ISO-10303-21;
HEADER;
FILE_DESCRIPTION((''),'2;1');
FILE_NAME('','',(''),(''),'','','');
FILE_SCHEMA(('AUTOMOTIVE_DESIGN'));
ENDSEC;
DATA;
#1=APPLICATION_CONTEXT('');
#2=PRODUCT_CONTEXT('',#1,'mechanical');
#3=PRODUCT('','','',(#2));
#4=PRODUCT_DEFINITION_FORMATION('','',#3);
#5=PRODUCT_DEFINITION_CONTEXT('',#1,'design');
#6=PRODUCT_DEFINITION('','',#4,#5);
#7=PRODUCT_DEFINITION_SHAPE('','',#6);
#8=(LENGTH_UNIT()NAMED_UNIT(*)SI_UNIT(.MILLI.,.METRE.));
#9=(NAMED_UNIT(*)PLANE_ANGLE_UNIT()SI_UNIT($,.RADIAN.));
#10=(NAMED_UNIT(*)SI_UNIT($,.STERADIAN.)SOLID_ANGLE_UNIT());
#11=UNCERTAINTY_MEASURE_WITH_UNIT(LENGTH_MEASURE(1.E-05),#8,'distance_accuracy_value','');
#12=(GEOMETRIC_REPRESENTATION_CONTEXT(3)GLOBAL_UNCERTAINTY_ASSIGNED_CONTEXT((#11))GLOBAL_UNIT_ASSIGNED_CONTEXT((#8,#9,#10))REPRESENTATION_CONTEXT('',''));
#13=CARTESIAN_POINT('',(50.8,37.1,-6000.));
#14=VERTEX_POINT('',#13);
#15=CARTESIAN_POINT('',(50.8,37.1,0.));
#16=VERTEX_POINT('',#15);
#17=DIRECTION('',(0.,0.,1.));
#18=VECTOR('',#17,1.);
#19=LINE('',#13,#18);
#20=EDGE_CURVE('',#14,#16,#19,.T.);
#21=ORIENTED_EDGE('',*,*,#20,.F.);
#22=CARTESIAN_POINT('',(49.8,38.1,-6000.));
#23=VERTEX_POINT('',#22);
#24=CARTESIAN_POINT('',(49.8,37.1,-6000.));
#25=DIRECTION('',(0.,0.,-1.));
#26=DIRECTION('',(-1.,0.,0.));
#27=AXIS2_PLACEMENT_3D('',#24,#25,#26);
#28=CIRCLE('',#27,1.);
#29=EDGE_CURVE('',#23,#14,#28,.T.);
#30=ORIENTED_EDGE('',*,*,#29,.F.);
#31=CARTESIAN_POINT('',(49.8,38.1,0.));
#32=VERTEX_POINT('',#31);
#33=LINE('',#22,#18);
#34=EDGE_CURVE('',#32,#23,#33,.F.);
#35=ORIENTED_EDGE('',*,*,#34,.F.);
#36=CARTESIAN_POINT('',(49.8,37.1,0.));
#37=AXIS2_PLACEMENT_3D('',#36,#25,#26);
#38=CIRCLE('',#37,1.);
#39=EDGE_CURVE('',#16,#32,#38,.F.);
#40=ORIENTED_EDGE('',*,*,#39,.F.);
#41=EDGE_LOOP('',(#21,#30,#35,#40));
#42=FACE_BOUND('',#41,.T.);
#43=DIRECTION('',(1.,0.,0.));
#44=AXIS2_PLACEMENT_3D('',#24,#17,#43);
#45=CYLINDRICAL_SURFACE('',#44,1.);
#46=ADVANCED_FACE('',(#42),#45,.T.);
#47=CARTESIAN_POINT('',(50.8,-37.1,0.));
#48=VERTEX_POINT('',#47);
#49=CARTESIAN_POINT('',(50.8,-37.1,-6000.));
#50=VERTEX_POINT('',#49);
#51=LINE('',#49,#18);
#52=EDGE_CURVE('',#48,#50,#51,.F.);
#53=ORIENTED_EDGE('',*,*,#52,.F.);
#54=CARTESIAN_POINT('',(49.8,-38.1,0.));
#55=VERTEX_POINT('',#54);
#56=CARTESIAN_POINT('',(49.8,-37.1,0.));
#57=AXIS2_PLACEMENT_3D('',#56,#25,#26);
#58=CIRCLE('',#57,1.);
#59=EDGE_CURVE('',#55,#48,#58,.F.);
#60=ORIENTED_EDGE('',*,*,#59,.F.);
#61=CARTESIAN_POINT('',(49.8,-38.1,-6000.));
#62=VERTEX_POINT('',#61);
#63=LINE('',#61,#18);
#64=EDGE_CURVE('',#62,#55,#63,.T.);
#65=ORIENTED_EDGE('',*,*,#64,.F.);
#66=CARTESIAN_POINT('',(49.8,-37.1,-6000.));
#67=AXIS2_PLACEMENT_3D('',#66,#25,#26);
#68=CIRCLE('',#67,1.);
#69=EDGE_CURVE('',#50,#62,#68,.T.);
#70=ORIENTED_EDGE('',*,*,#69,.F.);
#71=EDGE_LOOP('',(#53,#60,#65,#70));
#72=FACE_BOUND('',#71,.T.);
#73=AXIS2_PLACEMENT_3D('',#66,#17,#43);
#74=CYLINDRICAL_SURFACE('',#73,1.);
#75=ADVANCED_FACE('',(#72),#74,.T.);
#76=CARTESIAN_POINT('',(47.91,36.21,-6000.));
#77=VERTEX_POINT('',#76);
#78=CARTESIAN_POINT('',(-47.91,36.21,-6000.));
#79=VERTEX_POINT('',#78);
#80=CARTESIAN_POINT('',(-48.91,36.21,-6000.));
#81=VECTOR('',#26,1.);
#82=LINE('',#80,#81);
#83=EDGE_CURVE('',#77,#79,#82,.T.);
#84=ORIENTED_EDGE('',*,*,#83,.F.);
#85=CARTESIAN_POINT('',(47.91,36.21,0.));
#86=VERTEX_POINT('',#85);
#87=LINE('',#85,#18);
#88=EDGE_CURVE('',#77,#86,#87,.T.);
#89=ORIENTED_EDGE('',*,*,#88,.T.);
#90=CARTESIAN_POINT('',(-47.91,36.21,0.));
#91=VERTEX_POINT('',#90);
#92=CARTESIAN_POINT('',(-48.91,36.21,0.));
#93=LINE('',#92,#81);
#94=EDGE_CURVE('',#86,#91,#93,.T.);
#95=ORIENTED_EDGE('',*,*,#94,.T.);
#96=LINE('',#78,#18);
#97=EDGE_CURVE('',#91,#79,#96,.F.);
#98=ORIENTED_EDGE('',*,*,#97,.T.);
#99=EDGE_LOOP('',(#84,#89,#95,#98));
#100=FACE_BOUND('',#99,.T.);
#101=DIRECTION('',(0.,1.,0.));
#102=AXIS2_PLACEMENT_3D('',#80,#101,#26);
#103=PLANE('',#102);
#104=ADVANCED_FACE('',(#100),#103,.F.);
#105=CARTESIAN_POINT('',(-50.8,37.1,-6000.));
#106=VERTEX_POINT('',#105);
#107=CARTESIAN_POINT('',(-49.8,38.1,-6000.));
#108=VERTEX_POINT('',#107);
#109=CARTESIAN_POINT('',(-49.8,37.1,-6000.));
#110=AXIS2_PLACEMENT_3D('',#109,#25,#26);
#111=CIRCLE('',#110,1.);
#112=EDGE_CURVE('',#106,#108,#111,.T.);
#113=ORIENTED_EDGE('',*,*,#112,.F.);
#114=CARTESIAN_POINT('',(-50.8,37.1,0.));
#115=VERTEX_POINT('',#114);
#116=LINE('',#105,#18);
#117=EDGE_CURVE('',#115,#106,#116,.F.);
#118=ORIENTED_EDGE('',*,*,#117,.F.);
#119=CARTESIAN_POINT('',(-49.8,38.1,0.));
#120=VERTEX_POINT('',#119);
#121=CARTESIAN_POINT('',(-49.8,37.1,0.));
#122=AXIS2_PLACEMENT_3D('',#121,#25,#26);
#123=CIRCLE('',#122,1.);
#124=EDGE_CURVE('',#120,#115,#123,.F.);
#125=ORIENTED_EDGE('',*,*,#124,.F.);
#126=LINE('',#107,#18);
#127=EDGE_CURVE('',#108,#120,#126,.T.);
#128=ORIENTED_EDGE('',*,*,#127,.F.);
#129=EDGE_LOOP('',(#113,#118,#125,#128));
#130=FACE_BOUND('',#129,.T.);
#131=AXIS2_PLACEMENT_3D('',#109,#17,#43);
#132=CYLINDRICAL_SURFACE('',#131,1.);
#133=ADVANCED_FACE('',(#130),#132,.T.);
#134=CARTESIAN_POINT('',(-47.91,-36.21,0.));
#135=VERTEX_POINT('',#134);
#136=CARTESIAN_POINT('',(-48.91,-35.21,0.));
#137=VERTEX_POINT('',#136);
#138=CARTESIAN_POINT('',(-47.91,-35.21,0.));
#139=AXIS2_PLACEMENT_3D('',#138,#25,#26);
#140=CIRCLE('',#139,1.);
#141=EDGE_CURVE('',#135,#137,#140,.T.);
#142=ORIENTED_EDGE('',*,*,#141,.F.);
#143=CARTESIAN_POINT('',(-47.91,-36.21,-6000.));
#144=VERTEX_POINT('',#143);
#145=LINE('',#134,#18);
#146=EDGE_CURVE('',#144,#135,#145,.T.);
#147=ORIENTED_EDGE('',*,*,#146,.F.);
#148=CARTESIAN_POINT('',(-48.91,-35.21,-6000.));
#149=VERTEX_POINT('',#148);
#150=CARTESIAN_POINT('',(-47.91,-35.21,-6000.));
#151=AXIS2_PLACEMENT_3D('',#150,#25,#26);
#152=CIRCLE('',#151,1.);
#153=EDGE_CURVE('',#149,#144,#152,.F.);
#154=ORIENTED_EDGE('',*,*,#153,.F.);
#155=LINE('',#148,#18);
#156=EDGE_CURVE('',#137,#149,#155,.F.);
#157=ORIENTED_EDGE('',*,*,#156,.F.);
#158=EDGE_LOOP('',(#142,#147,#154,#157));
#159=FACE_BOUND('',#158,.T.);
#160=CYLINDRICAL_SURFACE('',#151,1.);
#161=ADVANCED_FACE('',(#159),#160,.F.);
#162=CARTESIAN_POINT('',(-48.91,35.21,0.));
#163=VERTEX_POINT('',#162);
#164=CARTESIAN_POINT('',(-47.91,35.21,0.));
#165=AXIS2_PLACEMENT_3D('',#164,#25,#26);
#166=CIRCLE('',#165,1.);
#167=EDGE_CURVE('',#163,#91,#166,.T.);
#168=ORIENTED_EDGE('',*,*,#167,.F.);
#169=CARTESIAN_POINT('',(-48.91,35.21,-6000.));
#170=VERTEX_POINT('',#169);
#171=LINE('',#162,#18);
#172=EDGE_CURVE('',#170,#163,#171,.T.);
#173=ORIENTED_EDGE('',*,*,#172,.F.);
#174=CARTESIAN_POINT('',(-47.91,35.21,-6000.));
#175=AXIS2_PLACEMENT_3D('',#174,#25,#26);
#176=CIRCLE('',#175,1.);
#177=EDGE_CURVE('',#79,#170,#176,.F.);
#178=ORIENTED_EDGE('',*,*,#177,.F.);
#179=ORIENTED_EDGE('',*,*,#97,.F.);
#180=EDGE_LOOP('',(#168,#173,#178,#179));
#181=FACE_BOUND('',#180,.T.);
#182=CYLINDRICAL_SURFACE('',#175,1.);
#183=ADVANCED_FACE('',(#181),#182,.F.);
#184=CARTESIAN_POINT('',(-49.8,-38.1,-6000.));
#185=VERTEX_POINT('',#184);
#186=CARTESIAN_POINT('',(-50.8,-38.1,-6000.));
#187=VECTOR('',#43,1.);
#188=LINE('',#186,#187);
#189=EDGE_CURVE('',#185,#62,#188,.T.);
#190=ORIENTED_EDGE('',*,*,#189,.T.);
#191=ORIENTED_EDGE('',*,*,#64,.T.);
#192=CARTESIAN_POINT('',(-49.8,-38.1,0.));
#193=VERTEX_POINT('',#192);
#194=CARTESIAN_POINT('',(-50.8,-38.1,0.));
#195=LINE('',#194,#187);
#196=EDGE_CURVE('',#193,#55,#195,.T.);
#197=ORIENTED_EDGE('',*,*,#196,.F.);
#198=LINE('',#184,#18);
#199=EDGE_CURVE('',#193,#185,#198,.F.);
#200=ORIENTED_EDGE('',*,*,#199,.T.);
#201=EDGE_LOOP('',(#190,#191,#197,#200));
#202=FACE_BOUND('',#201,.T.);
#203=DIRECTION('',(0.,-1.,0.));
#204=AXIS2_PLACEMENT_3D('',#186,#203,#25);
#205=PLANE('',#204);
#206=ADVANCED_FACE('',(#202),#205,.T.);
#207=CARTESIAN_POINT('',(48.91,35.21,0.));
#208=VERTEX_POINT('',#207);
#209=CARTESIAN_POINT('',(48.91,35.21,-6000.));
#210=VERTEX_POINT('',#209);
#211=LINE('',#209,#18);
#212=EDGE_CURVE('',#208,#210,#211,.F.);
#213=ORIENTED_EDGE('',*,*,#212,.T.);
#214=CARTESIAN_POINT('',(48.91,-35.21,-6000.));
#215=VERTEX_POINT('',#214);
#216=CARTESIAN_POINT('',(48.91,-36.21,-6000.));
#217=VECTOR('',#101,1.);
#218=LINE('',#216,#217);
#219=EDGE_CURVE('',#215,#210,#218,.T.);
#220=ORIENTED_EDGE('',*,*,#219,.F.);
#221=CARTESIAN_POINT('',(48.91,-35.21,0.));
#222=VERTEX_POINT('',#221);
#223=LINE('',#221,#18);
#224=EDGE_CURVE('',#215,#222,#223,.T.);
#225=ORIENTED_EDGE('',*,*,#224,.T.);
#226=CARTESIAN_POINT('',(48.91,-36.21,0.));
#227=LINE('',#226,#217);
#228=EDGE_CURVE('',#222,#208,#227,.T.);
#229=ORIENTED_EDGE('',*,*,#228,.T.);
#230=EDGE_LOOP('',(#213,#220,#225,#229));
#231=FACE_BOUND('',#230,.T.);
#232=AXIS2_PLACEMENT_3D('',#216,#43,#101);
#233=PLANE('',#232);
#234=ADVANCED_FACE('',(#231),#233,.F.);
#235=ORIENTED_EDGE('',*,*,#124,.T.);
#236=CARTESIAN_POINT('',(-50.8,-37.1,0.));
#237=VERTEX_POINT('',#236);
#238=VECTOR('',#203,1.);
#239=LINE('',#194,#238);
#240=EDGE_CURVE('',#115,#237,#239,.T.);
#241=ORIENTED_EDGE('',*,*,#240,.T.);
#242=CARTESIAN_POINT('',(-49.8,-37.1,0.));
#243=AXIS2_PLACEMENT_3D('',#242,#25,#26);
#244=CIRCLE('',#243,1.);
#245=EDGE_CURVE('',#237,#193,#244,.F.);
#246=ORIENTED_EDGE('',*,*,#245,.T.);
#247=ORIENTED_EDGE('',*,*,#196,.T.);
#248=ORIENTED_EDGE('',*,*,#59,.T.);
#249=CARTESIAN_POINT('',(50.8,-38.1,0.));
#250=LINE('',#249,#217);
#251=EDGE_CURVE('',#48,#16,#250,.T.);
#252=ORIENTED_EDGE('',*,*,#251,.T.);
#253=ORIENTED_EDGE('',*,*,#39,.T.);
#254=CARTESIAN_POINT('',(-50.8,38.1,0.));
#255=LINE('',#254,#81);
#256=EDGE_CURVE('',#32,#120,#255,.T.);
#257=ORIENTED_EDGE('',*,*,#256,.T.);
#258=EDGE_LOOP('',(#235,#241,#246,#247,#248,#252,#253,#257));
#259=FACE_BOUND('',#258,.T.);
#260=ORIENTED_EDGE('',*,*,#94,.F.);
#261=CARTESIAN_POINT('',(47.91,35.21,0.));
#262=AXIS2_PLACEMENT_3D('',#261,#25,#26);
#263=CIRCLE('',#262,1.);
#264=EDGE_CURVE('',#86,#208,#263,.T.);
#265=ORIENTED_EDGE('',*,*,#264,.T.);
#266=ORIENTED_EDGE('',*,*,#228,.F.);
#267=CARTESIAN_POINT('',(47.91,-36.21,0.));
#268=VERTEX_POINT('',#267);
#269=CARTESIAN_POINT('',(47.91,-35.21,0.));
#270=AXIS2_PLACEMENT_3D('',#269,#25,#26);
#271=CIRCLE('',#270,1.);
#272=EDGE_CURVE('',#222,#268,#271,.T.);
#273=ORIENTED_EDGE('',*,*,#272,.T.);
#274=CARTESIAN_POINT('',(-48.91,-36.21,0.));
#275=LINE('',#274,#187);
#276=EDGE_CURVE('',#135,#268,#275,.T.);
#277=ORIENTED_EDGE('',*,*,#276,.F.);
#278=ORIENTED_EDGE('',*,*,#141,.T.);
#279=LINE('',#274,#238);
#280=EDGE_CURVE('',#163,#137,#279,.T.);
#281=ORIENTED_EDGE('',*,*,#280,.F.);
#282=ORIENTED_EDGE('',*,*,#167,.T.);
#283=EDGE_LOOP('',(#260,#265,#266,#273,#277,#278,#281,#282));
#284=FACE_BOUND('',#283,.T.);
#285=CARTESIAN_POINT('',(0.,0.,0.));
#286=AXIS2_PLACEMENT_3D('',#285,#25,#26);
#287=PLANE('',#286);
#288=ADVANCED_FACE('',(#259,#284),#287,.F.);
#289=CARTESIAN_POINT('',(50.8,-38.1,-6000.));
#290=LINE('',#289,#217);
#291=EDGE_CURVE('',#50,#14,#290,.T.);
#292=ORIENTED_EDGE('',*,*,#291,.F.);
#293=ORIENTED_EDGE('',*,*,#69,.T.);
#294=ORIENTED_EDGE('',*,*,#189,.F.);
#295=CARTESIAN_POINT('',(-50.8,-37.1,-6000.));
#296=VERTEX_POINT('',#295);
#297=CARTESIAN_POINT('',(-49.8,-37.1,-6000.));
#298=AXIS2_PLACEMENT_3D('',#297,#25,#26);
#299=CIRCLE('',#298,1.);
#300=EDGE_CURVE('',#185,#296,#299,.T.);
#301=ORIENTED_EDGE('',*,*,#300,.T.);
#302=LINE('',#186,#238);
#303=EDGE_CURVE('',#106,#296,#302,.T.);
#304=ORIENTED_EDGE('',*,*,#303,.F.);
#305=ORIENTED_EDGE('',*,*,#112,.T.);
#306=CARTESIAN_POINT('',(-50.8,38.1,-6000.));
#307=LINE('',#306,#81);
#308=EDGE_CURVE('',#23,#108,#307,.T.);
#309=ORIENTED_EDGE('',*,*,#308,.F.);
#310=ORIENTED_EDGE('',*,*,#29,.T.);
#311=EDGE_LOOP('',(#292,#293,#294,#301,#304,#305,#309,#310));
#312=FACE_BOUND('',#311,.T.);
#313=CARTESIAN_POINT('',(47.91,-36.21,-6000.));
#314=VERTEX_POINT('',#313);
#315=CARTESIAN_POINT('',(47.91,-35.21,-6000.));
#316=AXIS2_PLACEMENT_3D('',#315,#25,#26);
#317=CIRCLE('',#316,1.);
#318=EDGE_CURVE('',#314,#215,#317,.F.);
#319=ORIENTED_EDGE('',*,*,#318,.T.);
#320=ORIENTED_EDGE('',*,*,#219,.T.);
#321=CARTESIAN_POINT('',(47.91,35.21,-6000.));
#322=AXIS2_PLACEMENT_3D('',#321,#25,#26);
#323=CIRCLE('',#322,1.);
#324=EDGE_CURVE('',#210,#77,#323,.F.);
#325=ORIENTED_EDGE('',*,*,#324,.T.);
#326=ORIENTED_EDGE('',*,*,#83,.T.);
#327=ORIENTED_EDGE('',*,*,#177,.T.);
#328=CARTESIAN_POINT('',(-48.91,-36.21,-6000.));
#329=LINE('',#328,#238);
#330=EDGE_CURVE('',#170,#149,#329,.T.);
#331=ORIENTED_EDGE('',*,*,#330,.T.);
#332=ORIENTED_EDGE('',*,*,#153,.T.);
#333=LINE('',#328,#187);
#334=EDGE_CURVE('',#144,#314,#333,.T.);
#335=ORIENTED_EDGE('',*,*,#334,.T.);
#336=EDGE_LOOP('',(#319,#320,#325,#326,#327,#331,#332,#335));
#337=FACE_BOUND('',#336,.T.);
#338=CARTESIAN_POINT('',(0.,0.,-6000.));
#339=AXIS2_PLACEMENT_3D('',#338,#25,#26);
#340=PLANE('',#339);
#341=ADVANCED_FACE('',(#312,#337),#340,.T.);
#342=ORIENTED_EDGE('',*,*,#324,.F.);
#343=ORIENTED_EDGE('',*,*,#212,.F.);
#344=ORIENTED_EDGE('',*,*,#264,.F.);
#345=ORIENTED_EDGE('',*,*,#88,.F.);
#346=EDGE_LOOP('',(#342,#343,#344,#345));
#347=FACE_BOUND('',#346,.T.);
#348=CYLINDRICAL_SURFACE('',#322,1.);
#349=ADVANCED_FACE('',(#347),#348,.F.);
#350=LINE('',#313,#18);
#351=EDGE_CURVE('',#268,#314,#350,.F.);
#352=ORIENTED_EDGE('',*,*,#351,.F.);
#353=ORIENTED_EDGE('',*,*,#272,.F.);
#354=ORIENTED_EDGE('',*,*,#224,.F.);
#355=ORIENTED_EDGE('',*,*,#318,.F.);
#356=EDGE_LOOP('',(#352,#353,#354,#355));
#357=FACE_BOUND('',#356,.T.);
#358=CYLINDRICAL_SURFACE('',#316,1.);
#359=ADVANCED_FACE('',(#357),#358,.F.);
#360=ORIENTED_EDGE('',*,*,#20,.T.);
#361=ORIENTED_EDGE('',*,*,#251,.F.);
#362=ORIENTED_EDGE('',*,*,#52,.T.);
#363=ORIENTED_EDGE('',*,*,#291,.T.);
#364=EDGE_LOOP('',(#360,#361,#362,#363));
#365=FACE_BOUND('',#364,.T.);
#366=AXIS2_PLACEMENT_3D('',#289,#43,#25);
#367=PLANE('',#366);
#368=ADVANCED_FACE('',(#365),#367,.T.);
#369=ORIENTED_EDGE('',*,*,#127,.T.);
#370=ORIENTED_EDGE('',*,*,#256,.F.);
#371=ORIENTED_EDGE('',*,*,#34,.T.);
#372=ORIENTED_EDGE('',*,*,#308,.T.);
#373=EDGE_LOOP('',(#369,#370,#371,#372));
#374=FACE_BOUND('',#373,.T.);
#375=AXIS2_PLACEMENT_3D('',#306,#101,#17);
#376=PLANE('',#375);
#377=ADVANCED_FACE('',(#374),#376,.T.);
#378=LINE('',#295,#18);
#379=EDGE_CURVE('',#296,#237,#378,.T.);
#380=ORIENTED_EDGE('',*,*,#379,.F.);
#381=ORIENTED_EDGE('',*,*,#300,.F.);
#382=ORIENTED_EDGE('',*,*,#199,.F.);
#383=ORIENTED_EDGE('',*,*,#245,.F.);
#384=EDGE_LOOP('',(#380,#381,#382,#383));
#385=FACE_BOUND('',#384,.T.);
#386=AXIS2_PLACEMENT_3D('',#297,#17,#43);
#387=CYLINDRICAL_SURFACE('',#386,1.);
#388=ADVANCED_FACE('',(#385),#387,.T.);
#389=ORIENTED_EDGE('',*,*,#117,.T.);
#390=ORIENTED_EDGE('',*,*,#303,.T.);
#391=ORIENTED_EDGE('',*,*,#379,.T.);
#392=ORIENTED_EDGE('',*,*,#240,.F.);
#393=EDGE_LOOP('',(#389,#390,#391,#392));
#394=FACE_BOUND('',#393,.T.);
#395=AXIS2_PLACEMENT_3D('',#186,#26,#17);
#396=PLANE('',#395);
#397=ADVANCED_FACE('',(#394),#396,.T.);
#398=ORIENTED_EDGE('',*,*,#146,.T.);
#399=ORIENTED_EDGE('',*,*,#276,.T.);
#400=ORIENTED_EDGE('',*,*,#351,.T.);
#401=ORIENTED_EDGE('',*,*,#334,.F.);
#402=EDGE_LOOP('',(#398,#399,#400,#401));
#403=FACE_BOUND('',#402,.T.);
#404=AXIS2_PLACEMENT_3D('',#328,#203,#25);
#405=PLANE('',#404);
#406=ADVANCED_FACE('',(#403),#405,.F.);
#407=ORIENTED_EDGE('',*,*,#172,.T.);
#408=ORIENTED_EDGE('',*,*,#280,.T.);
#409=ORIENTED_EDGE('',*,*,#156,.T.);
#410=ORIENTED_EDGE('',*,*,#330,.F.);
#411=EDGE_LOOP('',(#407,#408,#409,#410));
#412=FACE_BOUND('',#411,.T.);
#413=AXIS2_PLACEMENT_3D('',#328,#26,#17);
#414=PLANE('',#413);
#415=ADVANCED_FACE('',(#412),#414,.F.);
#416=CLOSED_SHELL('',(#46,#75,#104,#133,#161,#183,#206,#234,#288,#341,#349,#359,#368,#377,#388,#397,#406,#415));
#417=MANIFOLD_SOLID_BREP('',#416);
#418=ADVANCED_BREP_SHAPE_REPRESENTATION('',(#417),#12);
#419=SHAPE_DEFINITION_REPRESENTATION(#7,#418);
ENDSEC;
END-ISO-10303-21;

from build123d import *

# Parameters (mm, degrees)
CROQUIS1_W              = 101.6
CROQUIS1_H              = 76.2
CROQUIS1_W_2            = 97.82
CROQUIS1_H_2            = 72.42
SALIENTE_EXTRUIR1_DEPTH = 6000
REDONDEO1_R             = 1


with BuildPart() as part:
    # Croquis1 → Saliente-Extruir1 (new body)
    with BuildSketch(Plane.XY):
        Rectangle(CROQUIS1_W, CROQUIS1_H)
        Rectangle(CROQUIS1_W_2, CROQUIS1_H_2, mode=Mode.SUBTRACT)
    extrude(amount=-SALIENTE_EXTRUIR1_DEPTH)

    # Redondeo1
    redondeo1_edges = [part.edges().sort_by_distance(p)[0] for p in [
        (48.91, -36.21, -3000),
        (-48.91, -36.21, -3000),
        (-48.91, 36.21, -3000),
        (48.91, 36.21, -3000),
        (50.8, -38.1, -3000),
        (-50.8, -38.1, -3000),
        (-50.8, 38.1, -3000),
        (50.8, 38.1, -3000),
    ]]
    fillet(redondeo1_edges, radius=REDONDEO1_R)


solid = part.part
